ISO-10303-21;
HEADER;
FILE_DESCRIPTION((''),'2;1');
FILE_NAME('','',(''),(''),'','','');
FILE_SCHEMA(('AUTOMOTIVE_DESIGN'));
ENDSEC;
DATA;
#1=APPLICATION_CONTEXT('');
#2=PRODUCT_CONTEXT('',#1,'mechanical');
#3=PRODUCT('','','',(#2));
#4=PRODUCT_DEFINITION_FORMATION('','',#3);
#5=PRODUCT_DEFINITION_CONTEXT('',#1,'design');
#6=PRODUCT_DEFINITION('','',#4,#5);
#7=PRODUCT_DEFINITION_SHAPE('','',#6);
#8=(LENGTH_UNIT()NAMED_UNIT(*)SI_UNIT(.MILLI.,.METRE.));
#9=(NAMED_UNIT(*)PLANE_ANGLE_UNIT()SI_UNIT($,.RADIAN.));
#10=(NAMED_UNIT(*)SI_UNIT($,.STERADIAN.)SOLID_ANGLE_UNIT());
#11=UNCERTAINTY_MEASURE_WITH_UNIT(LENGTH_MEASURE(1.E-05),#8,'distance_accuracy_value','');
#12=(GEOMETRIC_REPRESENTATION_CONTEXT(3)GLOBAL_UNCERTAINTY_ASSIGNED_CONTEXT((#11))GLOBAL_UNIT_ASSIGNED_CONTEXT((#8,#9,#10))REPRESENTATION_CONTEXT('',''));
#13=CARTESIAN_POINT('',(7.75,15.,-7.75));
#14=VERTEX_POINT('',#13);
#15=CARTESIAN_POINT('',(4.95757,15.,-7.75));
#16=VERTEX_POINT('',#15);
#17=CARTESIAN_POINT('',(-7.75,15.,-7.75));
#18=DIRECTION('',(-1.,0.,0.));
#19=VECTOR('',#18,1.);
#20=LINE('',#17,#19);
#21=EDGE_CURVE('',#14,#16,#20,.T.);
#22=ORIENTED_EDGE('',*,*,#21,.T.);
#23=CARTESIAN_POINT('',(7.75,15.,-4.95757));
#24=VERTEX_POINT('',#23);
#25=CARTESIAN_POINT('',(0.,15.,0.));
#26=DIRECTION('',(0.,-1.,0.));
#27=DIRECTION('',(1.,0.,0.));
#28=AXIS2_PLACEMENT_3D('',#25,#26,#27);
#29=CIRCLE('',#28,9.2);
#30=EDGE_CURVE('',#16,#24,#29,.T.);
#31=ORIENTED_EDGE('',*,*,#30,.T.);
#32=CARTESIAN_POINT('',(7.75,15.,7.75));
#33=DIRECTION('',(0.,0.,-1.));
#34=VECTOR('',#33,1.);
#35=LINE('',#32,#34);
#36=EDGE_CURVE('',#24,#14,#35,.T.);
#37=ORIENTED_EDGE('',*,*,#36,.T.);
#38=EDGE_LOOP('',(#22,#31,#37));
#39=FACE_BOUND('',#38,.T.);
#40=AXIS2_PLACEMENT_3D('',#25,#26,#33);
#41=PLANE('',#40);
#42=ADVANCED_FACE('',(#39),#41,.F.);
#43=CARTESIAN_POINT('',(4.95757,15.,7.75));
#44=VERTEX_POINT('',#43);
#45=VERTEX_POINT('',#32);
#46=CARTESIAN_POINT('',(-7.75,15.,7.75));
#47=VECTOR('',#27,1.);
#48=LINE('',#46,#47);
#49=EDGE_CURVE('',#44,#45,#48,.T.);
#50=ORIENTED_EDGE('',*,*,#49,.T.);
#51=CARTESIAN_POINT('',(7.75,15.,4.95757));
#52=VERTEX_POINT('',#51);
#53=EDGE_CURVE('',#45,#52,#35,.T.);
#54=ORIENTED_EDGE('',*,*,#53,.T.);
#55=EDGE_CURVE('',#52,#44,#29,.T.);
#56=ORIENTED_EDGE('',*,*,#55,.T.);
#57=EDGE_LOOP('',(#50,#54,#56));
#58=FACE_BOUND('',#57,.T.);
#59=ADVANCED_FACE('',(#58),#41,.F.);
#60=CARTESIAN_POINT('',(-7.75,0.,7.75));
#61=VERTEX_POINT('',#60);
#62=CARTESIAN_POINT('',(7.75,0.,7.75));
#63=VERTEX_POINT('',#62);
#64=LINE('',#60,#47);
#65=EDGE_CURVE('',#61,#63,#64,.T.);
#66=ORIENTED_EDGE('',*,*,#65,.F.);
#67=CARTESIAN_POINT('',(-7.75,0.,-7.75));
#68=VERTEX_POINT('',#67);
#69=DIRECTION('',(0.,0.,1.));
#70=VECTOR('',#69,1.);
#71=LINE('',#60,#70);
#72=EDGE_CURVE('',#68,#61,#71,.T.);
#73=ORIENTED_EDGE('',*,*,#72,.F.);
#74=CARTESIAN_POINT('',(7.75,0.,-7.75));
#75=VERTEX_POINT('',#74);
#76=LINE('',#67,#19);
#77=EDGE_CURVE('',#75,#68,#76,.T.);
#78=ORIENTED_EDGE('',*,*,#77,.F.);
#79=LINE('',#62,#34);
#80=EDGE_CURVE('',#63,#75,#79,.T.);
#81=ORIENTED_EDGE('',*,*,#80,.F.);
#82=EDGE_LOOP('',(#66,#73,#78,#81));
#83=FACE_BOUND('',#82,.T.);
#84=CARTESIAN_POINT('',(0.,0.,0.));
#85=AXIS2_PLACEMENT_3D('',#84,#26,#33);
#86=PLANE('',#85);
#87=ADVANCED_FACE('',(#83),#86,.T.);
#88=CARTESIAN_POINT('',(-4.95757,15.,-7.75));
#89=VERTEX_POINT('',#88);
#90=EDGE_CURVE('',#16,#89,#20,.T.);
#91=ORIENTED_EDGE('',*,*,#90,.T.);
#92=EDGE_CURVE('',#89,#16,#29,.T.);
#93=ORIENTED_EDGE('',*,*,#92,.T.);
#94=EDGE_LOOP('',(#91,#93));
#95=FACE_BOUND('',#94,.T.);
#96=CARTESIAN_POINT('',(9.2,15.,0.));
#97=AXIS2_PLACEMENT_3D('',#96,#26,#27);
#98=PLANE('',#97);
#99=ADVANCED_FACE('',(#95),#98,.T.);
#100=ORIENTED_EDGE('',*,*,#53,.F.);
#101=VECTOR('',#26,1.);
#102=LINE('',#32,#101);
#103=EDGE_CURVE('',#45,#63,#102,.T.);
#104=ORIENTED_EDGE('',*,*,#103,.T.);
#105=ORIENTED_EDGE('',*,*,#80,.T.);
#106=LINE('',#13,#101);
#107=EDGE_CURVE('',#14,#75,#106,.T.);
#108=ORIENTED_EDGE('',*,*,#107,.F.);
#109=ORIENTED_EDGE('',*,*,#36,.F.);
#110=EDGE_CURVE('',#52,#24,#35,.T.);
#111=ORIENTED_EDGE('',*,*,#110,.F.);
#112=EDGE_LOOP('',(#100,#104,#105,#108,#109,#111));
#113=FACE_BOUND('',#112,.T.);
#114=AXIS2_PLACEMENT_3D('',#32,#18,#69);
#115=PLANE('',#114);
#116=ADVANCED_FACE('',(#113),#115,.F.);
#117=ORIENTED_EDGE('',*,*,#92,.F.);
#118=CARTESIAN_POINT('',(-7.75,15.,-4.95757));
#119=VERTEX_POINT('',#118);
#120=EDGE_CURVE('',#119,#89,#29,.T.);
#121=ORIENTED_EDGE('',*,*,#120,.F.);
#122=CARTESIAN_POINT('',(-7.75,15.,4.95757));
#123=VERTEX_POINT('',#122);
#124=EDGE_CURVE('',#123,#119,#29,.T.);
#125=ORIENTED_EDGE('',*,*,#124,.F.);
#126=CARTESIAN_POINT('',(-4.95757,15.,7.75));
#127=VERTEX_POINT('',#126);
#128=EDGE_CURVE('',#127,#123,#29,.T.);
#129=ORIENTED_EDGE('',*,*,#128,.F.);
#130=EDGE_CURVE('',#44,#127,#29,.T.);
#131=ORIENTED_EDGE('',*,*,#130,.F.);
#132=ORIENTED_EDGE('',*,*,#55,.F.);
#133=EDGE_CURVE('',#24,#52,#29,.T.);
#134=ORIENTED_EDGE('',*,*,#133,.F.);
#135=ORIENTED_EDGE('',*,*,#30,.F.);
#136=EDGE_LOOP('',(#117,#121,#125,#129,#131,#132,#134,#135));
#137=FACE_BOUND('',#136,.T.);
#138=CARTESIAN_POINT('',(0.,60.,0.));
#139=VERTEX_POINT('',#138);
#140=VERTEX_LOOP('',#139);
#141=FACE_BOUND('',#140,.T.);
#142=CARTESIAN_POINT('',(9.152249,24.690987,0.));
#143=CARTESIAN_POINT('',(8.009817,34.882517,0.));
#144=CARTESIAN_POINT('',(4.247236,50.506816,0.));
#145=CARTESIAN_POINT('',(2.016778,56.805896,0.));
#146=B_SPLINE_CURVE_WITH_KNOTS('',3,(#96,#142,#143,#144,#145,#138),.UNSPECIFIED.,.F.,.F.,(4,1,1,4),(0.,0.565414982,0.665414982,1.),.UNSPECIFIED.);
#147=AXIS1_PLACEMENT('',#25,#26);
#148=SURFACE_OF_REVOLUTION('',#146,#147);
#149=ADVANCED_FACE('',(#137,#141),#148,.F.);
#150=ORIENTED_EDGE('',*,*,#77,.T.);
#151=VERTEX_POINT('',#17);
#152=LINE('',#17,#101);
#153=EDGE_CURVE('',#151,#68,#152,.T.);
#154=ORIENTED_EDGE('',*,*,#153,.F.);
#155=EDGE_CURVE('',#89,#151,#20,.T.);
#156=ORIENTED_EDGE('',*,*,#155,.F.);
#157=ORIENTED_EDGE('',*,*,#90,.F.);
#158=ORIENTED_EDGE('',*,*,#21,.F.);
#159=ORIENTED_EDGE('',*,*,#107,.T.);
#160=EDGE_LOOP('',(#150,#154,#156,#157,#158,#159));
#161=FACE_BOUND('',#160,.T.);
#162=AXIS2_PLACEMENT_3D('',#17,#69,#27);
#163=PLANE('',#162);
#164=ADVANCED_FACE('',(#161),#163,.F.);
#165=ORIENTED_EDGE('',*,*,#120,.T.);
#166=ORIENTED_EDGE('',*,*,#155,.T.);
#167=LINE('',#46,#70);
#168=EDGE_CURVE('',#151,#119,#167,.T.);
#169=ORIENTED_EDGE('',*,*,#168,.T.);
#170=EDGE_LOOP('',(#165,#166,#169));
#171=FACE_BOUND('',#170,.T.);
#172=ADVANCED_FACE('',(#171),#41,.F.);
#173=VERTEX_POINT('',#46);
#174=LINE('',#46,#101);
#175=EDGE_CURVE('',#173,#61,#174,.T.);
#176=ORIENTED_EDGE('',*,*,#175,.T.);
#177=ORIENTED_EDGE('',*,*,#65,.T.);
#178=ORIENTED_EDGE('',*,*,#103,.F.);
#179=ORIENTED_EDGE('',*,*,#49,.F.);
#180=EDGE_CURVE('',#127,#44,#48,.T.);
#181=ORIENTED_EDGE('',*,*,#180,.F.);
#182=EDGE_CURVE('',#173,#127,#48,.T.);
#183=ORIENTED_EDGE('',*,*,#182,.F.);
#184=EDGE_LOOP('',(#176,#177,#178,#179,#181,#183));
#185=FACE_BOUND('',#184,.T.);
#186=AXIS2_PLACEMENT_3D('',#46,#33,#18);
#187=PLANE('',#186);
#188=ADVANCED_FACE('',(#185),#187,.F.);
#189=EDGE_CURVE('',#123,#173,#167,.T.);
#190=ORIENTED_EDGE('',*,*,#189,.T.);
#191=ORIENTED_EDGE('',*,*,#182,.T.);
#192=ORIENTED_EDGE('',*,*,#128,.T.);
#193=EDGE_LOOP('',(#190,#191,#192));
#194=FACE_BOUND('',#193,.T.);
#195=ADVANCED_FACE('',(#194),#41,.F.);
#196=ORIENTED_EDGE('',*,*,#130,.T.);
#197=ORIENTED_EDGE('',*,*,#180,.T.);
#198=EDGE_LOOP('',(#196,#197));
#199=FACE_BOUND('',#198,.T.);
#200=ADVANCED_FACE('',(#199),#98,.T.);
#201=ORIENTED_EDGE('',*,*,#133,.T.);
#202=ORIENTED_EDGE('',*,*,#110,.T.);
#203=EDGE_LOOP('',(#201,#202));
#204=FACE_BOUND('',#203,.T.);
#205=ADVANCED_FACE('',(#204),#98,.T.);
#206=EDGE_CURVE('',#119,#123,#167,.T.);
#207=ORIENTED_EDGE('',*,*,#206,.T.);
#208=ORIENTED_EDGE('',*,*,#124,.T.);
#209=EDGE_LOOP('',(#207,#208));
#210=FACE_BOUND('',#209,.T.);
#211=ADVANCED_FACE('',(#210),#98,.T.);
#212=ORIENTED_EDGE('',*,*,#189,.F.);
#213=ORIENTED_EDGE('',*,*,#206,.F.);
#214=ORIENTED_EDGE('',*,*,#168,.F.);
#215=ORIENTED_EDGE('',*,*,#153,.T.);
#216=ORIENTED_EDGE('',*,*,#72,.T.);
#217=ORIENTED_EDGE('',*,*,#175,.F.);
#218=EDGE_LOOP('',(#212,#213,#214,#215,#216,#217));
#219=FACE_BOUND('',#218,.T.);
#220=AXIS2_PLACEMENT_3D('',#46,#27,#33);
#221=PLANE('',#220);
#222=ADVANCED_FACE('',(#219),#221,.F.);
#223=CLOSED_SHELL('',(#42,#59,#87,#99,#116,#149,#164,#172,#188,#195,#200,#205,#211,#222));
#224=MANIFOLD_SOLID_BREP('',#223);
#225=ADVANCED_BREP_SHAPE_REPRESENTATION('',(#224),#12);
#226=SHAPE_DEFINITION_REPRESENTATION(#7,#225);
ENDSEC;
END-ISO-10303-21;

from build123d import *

# Parameters (mm, degrees)
SKETCH1_W           = 15.5
SKETCH1_H           = 15.5
BOSS_EXTRUDE1_DEPTH = 15


with BuildPart() as part:
    # Sketch1 → Boss-Extrude1 (new body)
    with BuildSketch(Plane(origin=(0, 0, 0), x_dir=(1, 0, 0), z_dir=(0, 1, 0))):
        Rectangle(SKETCH1_W, SKETCH1_H)
    extrude(amount=BOSS_EXTRUDE1_DEPTH)

    # Sketch4 → Revolve5 (revolve)
    with BuildSketch(Plane.XY):
        with BuildLine():
            Line((9.2, 15), (0, 15))
            Line((0, 15), (0, 60))
            add(Edge.make_bspline(
                [(9.2, 15), (9.152248995, 24.690987366), (8.00981737, 34.882517262), (4.24723587, 50.506815958), (2.016778071, 56.805895624), (0, 60)],
                knots=[0, 0, 0, 0, 0.565414982, 0.665414982, 1, 1, 1, 1], degree=3))
        make_face()
    revolve(axis=Axis((0, 15, 0), (0, 1, 0)))


solid = part.part
